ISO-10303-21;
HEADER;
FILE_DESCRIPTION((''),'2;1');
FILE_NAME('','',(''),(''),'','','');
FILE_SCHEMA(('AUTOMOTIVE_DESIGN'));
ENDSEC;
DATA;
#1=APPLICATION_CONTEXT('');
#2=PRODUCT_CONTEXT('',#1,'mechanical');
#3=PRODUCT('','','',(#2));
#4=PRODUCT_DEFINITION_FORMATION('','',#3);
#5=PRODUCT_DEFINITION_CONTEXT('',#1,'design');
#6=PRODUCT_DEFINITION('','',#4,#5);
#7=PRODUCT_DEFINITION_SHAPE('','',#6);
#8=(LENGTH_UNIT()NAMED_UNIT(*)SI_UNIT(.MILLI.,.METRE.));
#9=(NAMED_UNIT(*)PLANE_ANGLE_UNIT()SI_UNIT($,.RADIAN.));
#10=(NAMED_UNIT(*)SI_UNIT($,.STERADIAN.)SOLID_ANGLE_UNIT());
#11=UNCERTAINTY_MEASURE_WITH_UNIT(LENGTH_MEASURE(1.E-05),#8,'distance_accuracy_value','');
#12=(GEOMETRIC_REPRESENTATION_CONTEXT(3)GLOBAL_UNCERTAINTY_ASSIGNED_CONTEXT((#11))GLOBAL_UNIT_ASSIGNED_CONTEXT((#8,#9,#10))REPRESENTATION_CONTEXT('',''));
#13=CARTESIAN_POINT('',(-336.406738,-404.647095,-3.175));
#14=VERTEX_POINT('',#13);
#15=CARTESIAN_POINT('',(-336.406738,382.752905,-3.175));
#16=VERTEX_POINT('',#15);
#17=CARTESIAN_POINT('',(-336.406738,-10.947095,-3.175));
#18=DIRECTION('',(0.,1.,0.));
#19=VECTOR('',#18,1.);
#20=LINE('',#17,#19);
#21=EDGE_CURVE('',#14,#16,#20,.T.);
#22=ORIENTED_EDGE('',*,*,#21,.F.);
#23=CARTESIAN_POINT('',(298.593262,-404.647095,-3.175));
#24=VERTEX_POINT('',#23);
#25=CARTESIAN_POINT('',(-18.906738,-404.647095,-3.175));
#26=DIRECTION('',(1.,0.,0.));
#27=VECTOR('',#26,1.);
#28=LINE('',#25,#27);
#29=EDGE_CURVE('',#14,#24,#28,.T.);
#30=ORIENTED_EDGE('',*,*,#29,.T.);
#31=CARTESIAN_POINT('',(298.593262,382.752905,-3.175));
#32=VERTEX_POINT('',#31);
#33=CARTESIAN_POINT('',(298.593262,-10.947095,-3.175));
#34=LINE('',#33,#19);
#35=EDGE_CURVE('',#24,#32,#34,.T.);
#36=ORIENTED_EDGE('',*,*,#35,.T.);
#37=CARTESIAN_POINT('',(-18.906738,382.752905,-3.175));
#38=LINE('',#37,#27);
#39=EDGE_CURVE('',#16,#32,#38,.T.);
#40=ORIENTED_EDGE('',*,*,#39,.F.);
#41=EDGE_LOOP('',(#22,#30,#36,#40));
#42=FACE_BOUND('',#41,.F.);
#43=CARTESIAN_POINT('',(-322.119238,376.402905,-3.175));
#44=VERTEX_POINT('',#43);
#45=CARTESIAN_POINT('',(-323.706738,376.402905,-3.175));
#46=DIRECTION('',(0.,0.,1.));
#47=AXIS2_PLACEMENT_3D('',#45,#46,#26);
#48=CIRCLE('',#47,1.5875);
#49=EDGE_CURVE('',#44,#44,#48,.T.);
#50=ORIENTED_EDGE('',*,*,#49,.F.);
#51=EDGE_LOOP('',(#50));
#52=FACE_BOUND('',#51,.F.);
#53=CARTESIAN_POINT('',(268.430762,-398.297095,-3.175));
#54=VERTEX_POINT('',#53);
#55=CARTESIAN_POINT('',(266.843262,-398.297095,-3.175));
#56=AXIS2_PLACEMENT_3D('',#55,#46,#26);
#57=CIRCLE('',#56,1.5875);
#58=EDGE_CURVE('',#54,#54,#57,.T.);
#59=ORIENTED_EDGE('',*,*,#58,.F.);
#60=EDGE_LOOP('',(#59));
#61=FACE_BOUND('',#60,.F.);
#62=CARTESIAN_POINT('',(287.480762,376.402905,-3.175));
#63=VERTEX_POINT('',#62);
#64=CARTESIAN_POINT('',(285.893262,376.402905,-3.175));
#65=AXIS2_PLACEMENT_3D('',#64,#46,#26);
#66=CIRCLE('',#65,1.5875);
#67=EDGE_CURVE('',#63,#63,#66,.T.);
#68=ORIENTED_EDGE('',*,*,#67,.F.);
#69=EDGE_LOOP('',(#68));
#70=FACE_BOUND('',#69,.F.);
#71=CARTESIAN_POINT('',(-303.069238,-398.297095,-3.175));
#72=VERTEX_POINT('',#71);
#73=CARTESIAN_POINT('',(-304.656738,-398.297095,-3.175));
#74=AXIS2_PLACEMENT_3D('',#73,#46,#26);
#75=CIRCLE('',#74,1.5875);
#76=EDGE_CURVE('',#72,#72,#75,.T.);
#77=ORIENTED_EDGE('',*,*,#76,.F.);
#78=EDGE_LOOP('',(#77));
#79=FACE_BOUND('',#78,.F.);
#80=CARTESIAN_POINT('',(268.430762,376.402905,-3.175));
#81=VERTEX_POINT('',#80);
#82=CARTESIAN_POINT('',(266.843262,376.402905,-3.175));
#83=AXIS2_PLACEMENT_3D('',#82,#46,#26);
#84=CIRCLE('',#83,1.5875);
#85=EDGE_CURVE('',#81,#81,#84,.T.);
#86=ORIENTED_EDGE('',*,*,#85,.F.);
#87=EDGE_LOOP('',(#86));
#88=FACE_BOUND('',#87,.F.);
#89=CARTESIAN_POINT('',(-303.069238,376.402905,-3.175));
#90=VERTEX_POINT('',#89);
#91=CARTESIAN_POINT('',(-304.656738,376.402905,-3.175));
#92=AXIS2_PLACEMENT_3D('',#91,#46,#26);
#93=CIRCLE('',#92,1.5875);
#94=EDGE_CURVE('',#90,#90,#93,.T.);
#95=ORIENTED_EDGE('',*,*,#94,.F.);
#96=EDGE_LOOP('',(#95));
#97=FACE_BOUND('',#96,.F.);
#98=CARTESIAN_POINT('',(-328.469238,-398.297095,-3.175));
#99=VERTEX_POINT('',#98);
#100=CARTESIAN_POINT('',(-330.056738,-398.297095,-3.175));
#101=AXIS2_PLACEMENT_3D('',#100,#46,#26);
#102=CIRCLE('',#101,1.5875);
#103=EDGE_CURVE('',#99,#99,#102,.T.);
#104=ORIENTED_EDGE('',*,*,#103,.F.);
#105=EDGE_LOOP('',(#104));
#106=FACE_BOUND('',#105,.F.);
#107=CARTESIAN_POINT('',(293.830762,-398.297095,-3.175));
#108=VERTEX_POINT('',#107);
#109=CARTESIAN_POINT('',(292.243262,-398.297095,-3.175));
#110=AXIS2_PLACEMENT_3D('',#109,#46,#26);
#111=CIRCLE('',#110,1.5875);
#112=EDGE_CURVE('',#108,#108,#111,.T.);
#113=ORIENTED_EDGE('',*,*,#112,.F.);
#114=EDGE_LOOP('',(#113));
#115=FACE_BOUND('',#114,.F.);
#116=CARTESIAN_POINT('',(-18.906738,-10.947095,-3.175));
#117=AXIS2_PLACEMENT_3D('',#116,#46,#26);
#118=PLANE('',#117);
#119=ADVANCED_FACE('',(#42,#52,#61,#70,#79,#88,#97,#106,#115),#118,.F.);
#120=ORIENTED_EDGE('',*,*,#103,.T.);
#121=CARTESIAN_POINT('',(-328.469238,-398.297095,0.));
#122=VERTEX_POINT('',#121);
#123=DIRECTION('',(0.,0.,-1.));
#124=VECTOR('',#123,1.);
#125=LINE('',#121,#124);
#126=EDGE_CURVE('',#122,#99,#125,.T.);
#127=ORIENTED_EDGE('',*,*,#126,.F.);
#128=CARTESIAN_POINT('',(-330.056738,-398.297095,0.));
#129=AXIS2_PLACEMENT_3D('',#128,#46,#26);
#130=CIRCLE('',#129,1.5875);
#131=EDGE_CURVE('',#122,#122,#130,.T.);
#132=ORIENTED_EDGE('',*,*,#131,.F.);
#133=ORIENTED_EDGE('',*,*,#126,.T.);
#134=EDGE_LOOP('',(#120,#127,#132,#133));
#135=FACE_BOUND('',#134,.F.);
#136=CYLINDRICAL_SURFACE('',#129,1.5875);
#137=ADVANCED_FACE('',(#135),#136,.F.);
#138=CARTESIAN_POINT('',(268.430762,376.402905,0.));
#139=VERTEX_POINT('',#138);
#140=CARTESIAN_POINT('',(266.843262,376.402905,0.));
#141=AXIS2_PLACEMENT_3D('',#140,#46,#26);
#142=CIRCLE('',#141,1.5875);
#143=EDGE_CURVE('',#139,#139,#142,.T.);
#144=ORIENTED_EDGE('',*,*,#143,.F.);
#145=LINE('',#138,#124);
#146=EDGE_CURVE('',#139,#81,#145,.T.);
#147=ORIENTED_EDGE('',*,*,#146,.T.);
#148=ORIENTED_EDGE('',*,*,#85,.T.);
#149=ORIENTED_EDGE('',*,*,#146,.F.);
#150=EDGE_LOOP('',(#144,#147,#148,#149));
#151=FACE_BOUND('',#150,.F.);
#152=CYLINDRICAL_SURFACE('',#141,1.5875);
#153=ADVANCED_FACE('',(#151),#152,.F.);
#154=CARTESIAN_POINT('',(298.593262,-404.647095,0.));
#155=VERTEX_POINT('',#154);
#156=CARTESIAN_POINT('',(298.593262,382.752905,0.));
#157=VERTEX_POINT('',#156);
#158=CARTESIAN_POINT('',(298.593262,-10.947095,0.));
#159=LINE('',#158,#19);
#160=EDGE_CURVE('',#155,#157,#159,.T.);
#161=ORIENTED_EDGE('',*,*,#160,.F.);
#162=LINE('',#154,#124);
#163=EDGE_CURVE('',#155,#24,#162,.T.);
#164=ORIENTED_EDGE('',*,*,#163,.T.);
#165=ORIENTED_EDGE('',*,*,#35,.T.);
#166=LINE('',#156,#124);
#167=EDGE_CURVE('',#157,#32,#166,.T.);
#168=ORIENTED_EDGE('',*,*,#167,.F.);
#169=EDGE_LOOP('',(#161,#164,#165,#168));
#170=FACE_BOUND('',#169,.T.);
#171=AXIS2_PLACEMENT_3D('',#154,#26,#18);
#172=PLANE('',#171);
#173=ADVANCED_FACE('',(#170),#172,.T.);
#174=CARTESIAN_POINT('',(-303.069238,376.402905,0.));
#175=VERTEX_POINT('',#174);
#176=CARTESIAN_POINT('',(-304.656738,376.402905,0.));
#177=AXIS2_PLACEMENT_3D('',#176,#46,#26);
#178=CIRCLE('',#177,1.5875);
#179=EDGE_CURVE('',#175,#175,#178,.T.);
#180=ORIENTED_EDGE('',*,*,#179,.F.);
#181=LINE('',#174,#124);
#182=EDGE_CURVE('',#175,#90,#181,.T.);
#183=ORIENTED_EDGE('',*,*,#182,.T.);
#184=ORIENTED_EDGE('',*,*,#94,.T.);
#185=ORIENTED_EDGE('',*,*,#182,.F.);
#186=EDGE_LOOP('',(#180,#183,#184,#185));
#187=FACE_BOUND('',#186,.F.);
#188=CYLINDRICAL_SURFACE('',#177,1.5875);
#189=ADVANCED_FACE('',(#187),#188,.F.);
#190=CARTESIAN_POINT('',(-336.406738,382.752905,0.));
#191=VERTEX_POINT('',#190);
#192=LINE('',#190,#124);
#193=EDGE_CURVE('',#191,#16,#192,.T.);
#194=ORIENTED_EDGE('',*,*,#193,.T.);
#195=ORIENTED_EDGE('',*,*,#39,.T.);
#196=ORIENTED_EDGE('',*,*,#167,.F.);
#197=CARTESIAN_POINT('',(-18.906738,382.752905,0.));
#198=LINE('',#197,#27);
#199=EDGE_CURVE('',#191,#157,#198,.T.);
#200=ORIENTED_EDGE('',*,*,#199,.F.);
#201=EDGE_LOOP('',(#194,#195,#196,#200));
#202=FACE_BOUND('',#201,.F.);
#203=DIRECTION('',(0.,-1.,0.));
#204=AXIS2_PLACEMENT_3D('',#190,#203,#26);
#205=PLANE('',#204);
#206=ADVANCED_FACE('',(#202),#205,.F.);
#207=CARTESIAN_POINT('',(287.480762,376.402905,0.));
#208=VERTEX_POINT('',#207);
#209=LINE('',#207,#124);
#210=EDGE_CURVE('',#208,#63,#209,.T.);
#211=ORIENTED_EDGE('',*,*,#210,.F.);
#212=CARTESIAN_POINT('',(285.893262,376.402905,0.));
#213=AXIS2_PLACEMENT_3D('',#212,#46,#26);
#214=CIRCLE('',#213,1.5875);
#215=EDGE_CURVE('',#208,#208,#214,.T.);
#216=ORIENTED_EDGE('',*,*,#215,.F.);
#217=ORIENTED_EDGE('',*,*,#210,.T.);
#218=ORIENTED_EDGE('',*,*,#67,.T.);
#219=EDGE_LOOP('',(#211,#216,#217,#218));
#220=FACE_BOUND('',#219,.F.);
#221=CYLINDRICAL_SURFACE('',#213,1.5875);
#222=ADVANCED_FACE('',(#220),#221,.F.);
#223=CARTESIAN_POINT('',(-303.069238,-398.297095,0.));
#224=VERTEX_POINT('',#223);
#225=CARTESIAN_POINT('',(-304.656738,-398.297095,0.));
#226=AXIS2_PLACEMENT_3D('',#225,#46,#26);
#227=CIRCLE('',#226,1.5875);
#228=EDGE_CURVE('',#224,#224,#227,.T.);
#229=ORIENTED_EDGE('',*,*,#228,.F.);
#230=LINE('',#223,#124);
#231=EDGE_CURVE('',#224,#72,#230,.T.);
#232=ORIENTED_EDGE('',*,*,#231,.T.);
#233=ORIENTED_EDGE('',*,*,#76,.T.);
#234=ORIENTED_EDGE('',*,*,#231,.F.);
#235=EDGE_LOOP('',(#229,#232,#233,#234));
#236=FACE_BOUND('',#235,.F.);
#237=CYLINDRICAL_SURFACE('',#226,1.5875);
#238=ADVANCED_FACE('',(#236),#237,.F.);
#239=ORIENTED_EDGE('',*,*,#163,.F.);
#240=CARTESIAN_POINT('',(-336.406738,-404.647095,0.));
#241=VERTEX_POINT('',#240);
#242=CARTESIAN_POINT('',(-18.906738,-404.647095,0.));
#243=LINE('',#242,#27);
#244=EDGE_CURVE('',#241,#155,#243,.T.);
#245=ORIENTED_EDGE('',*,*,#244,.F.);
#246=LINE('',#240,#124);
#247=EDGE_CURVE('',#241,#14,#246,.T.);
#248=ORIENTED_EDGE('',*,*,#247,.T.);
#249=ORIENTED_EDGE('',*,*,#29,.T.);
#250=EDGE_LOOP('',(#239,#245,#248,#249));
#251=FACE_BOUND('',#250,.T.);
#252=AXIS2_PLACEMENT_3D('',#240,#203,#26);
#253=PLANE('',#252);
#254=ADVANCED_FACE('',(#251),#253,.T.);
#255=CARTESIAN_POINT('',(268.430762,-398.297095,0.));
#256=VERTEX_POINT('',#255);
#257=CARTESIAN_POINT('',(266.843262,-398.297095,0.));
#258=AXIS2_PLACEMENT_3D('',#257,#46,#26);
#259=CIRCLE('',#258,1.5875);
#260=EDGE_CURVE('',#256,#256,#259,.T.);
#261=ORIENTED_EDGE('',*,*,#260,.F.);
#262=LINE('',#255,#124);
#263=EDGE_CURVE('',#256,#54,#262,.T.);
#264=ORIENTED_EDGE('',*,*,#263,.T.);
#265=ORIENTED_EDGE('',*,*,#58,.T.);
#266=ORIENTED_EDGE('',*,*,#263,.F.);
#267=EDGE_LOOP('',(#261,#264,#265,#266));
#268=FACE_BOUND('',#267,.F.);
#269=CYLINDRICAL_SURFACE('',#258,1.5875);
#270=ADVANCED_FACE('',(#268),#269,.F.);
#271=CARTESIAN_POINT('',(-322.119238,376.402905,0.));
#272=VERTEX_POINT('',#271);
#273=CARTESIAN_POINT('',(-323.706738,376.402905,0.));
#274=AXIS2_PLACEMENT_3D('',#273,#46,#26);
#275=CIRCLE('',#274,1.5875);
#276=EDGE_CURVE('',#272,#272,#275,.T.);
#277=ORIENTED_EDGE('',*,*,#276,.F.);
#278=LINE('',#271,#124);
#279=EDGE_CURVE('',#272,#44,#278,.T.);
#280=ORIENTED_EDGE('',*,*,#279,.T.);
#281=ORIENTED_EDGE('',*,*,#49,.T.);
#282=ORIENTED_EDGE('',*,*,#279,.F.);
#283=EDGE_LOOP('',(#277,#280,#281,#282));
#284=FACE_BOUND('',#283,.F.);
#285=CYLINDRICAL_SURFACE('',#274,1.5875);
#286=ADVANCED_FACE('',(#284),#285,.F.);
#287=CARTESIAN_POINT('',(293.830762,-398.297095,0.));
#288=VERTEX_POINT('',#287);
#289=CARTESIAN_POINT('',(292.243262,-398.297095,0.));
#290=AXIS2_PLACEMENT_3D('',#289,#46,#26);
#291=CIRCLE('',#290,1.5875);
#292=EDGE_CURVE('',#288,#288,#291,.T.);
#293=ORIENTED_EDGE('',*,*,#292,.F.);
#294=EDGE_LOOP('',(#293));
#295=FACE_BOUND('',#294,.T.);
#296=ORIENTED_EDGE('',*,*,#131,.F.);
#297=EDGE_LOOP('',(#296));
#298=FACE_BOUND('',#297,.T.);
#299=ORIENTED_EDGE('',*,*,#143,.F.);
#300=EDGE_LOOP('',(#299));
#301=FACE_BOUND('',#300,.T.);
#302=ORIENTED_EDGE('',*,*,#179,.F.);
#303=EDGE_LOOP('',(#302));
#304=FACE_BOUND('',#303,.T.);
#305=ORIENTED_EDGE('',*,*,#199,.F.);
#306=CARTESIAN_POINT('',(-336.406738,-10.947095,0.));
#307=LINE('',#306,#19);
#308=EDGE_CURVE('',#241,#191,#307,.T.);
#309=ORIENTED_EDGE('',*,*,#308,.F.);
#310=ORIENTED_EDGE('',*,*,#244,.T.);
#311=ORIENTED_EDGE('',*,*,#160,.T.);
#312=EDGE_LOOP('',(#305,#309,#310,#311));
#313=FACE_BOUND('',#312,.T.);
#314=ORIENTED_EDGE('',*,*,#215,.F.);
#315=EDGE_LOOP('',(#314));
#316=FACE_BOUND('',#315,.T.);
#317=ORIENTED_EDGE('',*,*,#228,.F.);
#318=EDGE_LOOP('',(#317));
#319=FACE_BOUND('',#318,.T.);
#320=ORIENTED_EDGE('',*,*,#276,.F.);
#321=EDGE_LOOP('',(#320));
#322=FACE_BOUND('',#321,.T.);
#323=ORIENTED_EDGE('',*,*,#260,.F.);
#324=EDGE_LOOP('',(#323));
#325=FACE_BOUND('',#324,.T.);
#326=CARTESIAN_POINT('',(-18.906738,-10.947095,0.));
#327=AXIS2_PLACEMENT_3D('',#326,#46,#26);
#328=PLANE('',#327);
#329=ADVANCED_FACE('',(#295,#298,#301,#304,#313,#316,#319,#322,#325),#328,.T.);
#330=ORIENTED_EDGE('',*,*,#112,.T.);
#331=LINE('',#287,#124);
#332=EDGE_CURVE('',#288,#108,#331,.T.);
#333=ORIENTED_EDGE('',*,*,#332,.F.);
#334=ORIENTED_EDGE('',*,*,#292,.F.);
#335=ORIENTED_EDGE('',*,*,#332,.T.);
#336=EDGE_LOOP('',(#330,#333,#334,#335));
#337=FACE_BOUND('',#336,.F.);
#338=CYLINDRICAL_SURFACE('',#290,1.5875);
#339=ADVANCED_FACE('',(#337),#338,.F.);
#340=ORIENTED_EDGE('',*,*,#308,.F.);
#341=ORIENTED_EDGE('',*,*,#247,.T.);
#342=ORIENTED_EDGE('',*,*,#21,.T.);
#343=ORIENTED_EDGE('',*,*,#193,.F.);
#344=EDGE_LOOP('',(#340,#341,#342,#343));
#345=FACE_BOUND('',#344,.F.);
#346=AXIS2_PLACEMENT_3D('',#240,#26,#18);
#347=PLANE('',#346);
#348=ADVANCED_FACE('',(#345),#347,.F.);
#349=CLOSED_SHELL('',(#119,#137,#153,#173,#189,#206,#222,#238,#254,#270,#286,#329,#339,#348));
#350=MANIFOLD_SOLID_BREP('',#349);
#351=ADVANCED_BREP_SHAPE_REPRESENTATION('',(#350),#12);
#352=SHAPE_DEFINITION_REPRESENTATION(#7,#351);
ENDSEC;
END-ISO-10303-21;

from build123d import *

# Parameters (mm, degrees)
F0_W     = 635
F0_H     = 787.4
F0_R     = 1.5875
F1_DEPTH = 3.175


with BuildPart() as f1:
    # F0 (on Top) → F1 (new body)
    with BuildSketch(Plane.XY):
        with Locations((-18.906738, -10.947095)):
            Rectangle(F0_W, F0_H)
        with Locations((-330.056738, -398.297095)):
            Circle(F0_R, mode=Mode.SUBTRACT)
        with Locations((-304.656738, -398.297095)):
            Circle(F0_R, mode=Mode.SUBTRACT)
        with Locations((266.843262, -398.297095)):
            Circle(F0_R, mode=Mode.SUBTRACT)
        with Locations((292.243262, -398.297095)):
            Circle(F0_R, mode=Mode.SUBTRACT)
        with Locations((-323.706738, 376.402905)):
            Circle(F0_R, mode=Mode.SUBTRACT)
        with Locations((-304.656738, 376.402905)):
            Circle(F0_R, mode=Mode.SUBTRACT)
        with Locations((266.843262, 376.402905)):
            Circle(F0_R, mode=Mode.SUBTRACT)
        with Locations((285.893262, 376.402905)):
            Circle(F0_R, mode=Mode.SUBTRACT)
    extrude(amount=-F1_DEPTH)


solid = f1.part
